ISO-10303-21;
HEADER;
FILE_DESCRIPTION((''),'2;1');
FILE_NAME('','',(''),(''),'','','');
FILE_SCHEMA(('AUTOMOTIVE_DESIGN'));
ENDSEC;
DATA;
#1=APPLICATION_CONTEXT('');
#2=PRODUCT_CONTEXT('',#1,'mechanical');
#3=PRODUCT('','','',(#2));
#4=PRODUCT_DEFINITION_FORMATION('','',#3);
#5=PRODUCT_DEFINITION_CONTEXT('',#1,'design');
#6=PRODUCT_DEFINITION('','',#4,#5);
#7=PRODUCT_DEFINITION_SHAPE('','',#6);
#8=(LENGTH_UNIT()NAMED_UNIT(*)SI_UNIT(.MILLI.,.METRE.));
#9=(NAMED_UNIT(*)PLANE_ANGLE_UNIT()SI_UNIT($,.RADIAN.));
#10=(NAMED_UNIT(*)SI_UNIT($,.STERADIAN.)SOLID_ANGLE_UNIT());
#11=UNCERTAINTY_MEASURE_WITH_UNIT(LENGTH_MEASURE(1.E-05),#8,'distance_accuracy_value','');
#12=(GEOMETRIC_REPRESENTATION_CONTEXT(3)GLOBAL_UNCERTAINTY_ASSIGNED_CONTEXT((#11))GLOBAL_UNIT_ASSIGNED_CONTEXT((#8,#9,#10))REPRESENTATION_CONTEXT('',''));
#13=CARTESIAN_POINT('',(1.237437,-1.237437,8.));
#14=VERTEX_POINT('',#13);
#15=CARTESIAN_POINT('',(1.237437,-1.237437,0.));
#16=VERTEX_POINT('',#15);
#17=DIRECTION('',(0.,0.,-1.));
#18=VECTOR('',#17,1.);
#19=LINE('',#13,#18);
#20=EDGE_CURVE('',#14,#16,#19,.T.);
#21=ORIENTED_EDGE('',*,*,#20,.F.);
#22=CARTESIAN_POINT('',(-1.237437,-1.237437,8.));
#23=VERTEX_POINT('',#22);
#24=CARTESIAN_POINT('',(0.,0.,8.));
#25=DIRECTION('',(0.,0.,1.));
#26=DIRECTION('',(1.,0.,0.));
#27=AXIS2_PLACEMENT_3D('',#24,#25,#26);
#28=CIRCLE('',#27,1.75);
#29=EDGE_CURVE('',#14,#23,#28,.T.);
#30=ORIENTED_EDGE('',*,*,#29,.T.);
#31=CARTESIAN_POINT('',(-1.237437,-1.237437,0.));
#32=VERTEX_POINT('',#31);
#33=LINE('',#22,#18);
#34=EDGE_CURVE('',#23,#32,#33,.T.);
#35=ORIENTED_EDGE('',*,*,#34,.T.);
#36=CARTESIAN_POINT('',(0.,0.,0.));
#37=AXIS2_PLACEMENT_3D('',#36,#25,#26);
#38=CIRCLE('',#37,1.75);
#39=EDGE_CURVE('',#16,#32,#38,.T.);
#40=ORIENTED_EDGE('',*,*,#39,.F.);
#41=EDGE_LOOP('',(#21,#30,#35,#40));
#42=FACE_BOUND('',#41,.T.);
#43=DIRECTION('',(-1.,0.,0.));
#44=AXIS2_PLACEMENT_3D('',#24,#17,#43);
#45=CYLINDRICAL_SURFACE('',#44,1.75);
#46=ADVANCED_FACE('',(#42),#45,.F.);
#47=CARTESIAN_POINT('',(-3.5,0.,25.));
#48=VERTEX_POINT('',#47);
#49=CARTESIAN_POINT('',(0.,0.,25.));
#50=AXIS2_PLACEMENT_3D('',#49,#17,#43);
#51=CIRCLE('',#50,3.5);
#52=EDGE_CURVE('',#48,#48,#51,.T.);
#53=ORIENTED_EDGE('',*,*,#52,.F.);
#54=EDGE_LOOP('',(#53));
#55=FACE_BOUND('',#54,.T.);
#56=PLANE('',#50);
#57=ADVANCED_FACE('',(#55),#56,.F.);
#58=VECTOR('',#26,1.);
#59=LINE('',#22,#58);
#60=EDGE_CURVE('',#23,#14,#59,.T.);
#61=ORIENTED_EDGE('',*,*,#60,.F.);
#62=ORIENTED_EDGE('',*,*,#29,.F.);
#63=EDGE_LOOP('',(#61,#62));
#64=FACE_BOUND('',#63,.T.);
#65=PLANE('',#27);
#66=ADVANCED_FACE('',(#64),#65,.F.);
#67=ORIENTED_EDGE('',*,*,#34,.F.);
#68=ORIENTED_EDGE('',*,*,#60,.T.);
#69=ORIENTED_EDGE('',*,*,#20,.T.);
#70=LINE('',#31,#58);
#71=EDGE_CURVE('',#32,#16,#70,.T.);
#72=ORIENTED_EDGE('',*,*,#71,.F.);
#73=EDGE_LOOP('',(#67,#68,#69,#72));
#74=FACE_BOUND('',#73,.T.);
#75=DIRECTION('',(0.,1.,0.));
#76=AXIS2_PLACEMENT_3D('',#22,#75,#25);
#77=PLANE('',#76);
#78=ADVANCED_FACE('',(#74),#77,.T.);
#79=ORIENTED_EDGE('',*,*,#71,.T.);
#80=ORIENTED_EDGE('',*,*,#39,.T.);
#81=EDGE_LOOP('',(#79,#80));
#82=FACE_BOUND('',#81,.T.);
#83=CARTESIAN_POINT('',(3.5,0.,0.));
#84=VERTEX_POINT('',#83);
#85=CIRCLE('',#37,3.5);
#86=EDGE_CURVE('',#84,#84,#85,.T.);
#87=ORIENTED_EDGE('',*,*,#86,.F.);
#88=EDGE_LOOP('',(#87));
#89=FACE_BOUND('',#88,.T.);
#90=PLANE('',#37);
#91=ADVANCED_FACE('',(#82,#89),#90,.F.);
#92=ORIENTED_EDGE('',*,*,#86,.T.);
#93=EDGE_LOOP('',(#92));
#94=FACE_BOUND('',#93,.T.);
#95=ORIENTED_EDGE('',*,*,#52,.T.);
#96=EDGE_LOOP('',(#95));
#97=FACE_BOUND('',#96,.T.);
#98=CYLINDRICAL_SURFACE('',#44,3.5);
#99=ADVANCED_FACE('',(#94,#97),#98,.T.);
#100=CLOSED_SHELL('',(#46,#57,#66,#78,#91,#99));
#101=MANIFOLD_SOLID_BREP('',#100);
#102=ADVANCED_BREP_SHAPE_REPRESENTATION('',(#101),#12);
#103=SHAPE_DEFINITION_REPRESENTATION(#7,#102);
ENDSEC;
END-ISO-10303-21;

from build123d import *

# Parameters (mm, degrees)
SKETCH2_R           = 3.5
BOSS_EXTRUDE1_DEPTH = 8
SKETCH3_R           = 3.5
BOSS_EXTRUDE2_DEPTH = 18
SKETCH4_W           = 12.5
SKETCH4_H           = 8
SKETCH4_W_2         = 8.5
SKETCH4_H_2         = 4
BOSS_EXTRUDE3_DEPTH = 10
SKETCH5_W           = 12.5
SKETCH5_H           = 8
BOSS_EXTRUDE4_DEPTH = 1
FILLET2_R           = 2
SKETCH6_W           = 15.377134156
SKETCH6_H           = 9.300468084
CUT_EXTRUDE1_DEPTH  = 12


with BuildPart() as part:
    # Sketch2 → Boss-Extrude1 (new body)
    with BuildSketch(Plane.XY):
        Circle(SKETCH2_R)
        with BuildLine():
            Line((-1.237436867, -1.237436867), (1.237436867, -1.237436867))
            ThreePointArc((1.237436867, -1.237436867), (0, 1.75), (-1.237436867, -1.237436867))
        make_face(mode=Mode.SUBTRACT)
    extrude(amount=BOSS_EXTRUDE1_DEPTH)

    # Sketch3 → Boss-Extrude2 (add)
    with BuildSketch(Plane.XY.offset(8)):
        Circle(SKETCH3_R)
    extrude(amount=BOSS_EXTRUDE2_DEPTH)

    # Sketch4 → Boss-Extrude3 (add)
    with BuildSketch(Plane.XY.offset(26)):
        Rectangle(SKETCH4_W, SKETCH4_H)
        Rectangle(SKETCH4_W_2, SKETCH4_H_2, mode=Mode.SUBTRACT)
    extrude(amount=BOSS_EXTRUDE3_DEPTH)

    # Sketch5 → Boss-Extrude4 (add)
    with BuildSketch(Plane(origin=(0, 0, 26), x_dir=(-1, 0, 0), z_dir=(0, 0, -1))):
        Rectangle(SKETCH5_W, SKETCH5_H)
    extrude(amount=BOSS_EXTRUDE4_DEPTH)

    # Fillet2
    fillet2_edges = [part.edges().sort_by_distance(p)[0] for p in [
        (-6.25, -4, 30.5),
        (6.25, -4, 30.5),
        (6.25, 4, 30.5),
        (-6.25, 4, 30.5),
    ]]
    fillet(fillet2_edges, radius=FILLET2_R)

    # Sketch6 → Cut-Extrude1 (cut, through all)
    with BuildSketch(Plane(origin=(0, 0, 25), x_dir=(-1, 0, 0), z_dir=(0, 0, -1))):
        with Locations((-0.478823703, -0.270525698)):
            Rectangle(SKETCH6_W, SKETCH6_H)
    extrude(amount=-CUT_EXTRUDE1_DEPTH, mode=Mode.SUBTRACT)


solid = part.part
